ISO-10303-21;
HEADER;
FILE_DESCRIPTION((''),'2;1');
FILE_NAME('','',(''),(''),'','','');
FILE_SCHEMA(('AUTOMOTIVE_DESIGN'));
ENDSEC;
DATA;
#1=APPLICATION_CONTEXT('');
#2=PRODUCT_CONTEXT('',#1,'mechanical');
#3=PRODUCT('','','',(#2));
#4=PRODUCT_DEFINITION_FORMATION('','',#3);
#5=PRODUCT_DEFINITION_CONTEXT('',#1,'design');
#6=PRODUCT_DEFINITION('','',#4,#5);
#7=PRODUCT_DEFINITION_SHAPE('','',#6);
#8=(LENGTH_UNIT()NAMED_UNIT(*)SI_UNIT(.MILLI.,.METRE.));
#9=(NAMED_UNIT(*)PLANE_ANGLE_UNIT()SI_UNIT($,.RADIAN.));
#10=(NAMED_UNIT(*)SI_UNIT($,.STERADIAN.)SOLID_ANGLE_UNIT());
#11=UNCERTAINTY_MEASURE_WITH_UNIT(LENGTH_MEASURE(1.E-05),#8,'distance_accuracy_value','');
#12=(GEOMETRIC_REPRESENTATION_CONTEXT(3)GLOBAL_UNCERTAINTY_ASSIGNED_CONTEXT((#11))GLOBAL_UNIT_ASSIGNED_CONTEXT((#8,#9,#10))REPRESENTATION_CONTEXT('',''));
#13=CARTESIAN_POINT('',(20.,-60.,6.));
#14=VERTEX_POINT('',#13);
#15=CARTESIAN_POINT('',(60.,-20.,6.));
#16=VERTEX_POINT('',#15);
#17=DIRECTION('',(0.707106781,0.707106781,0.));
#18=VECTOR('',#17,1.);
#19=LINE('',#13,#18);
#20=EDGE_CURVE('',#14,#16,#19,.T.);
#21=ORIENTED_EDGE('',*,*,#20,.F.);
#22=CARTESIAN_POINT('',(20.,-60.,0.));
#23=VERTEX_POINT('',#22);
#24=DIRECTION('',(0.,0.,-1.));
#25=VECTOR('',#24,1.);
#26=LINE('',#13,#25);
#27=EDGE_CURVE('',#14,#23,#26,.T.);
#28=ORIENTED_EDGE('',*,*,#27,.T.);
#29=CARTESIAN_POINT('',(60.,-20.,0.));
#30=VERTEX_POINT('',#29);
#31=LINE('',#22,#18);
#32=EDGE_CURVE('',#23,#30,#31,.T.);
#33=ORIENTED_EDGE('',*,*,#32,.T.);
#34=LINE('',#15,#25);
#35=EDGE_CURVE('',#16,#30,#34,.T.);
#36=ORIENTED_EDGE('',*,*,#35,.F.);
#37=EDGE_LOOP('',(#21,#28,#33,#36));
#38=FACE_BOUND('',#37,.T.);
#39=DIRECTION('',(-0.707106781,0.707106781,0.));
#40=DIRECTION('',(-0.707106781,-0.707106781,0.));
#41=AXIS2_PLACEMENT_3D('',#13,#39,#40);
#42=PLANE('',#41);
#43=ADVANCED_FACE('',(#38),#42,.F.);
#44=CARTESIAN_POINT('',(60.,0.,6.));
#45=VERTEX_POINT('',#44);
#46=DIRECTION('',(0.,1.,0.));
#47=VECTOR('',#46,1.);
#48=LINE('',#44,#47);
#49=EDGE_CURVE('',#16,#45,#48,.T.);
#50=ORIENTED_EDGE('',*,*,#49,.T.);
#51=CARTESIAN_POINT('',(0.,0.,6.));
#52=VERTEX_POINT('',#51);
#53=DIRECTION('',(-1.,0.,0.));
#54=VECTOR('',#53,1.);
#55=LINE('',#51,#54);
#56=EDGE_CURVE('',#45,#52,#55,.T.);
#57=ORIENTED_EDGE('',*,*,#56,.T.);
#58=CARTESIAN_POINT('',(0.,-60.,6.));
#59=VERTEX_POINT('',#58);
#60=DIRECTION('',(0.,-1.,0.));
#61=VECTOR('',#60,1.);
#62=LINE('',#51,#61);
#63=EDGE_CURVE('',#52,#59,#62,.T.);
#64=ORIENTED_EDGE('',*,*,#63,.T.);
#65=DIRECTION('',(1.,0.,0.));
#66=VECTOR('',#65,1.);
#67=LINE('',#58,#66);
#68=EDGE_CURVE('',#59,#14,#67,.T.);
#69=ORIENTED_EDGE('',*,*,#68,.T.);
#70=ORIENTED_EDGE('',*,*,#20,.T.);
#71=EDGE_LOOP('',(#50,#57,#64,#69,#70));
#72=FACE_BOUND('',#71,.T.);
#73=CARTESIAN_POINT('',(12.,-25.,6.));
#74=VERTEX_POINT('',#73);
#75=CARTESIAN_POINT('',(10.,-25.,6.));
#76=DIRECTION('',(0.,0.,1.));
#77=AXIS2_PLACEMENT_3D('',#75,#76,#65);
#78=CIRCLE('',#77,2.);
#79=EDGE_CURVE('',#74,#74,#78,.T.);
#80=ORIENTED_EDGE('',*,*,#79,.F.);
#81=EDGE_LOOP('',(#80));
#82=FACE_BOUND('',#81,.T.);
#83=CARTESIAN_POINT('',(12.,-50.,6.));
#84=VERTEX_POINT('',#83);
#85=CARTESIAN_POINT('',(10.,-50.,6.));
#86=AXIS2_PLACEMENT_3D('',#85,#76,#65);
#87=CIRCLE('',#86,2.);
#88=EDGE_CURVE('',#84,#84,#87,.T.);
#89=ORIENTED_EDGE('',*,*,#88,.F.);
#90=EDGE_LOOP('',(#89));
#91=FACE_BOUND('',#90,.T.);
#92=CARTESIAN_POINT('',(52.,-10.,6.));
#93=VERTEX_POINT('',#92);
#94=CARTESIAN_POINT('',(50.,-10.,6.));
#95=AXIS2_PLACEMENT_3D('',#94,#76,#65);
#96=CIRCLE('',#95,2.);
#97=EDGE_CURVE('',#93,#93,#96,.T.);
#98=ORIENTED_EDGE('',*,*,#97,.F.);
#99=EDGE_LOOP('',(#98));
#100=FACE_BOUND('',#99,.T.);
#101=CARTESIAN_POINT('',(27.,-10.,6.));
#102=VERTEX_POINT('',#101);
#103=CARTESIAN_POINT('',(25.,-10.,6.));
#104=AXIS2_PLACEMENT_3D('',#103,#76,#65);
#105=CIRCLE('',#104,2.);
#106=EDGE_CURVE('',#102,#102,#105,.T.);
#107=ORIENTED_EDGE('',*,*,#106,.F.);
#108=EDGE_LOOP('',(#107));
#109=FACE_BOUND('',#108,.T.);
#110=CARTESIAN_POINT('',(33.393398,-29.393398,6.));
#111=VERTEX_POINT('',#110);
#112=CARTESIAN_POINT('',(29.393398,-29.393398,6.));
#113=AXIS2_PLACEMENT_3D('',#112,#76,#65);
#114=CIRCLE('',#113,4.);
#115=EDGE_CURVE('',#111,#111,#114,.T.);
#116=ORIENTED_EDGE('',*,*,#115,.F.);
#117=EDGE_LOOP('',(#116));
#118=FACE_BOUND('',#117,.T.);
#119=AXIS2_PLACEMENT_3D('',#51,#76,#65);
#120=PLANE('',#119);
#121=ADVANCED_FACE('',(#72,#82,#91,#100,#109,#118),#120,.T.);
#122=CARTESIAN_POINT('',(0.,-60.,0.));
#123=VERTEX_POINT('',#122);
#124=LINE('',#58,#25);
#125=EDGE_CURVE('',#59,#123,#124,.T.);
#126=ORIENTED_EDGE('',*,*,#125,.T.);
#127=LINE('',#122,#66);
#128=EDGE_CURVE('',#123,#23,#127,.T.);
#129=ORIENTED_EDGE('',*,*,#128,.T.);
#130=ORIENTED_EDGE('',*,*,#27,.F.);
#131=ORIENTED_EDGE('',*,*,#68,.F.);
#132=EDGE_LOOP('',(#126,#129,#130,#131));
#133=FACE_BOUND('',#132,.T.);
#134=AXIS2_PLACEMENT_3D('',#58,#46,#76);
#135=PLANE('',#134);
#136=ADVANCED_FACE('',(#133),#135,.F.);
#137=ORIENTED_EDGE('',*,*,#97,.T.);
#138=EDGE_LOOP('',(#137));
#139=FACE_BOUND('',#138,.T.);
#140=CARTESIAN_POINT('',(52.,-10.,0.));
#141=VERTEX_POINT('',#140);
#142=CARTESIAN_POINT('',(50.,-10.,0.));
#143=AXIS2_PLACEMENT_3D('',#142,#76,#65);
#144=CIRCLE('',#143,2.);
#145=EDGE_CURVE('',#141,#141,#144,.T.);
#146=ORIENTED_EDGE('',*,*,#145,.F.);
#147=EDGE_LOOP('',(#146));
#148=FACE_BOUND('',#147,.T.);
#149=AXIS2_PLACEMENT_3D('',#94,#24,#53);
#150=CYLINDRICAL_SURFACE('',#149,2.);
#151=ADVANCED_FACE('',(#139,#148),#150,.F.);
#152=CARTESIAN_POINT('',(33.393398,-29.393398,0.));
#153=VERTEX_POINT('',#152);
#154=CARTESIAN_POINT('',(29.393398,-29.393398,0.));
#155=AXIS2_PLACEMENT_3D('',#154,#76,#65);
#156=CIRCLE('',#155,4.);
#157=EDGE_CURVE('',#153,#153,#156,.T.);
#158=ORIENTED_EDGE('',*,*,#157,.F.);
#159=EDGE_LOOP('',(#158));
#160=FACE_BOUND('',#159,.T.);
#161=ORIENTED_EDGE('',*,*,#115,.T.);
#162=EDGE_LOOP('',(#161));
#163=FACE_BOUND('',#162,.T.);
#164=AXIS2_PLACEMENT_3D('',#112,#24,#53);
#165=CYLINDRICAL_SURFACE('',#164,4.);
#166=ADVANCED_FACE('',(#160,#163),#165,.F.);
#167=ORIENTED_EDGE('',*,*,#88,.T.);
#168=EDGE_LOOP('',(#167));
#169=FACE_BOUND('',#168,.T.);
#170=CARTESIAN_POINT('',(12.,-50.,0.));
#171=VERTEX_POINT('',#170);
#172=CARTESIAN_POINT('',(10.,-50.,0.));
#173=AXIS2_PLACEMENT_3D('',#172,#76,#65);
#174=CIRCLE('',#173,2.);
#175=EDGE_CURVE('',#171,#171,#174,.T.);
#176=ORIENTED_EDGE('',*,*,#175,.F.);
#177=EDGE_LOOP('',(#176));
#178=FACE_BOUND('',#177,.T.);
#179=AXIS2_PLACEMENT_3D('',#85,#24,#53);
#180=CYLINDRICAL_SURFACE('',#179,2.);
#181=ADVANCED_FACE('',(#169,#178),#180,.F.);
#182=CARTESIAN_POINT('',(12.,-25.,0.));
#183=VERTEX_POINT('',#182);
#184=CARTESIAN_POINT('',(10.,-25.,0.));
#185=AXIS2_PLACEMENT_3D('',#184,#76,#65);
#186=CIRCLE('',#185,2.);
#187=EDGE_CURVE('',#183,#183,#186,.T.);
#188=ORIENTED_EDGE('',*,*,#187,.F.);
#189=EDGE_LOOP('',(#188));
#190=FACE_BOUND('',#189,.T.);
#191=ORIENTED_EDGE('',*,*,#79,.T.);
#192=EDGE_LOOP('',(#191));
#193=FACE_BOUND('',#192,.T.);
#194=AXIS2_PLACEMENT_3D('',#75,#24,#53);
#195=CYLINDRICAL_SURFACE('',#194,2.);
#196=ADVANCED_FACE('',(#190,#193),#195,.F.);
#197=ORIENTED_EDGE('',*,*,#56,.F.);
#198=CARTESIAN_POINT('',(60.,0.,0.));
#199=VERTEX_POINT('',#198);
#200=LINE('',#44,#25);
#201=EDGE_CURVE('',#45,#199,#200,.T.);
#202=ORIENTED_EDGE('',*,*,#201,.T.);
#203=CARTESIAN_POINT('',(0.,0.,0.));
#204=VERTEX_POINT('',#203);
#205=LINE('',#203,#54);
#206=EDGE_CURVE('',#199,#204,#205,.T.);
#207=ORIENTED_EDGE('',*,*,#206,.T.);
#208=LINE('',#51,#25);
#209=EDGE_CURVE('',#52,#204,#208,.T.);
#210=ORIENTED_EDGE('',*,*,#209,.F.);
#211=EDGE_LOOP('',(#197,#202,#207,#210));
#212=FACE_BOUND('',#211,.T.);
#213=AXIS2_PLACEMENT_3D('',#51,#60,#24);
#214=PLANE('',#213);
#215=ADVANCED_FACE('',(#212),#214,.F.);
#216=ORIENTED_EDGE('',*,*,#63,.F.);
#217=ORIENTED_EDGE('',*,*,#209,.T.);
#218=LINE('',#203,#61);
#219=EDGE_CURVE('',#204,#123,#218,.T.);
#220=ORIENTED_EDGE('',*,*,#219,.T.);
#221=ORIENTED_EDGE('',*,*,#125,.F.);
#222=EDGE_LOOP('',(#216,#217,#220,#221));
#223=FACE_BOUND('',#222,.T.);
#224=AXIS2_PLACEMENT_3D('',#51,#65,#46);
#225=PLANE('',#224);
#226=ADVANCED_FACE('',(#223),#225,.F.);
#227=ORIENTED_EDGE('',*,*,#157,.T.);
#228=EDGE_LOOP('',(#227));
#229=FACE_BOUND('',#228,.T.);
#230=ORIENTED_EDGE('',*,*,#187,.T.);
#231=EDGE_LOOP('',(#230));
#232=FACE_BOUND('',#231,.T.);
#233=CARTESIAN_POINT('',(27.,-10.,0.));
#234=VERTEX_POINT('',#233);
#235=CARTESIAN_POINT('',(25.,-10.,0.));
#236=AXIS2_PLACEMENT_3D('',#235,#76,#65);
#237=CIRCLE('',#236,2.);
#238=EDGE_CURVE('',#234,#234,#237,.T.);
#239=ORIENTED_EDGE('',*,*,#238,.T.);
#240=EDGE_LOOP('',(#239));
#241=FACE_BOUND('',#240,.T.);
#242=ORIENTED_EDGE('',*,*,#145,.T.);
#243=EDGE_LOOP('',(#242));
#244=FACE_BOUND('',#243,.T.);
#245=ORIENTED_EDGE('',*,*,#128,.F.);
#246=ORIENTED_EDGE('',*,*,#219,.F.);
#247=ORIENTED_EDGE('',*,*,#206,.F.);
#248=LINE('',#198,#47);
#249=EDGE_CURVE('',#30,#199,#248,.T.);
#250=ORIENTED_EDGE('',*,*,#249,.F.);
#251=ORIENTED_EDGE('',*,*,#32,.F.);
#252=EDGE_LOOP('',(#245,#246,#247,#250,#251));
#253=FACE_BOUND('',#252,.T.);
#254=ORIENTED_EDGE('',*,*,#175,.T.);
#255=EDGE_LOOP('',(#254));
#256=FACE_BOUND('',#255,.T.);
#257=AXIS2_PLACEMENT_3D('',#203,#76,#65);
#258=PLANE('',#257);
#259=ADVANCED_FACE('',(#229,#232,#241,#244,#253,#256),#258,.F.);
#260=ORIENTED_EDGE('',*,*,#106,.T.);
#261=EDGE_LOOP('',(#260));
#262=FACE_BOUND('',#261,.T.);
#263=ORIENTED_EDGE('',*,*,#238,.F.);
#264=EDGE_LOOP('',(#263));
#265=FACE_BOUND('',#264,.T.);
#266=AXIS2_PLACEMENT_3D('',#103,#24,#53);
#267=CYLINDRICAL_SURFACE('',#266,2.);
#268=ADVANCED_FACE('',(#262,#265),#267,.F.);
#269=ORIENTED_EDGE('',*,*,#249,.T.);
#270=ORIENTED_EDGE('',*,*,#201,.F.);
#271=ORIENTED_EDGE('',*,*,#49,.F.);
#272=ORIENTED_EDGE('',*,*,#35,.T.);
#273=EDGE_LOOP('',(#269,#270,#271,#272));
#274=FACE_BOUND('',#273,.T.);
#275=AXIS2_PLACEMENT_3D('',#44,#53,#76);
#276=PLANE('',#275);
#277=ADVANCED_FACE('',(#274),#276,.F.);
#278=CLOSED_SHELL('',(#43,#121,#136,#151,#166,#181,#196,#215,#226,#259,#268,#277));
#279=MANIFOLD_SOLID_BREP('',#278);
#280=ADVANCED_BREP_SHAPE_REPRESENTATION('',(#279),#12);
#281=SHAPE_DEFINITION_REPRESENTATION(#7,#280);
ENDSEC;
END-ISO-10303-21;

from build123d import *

# Parameters (mm, degrees)
SKETCH1_R           = 2
SKETCH1_R_2         = 4
BOSS_EXTRUDE1_DEPTH = 6


with BuildPart() as part:
    # Sketch1 → Boss-Extrude1 (new body)
    with BuildSketch(Plane.XY):
        Polygon((20, -60), (60, -20), (60, 0), (0, 0), (0, -60), align=None)
        with Locations((50, -10)):
            Circle(SKETCH1_R, mode=Mode.SUBTRACT)
        with Locations((25, -10)):
            Circle(SKETCH1_R, mode=Mode.SUBTRACT)
        with Locations((10, -50)):
            Circle(SKETCH1_R, mode=Mode.SUBTRACT)
        with Locations((10, -25)):
            Circle(SKETCH1_R, mode=Mode.SUBTRACT)
        with Locations((29.393398282, -29.393398282)):
            Circle(SKETCH1_R_2, mode=Mode.SUBTRACT)
    extrude(amount=BOSS_EXTRUDE1_DEPTH)


solid = part.part
